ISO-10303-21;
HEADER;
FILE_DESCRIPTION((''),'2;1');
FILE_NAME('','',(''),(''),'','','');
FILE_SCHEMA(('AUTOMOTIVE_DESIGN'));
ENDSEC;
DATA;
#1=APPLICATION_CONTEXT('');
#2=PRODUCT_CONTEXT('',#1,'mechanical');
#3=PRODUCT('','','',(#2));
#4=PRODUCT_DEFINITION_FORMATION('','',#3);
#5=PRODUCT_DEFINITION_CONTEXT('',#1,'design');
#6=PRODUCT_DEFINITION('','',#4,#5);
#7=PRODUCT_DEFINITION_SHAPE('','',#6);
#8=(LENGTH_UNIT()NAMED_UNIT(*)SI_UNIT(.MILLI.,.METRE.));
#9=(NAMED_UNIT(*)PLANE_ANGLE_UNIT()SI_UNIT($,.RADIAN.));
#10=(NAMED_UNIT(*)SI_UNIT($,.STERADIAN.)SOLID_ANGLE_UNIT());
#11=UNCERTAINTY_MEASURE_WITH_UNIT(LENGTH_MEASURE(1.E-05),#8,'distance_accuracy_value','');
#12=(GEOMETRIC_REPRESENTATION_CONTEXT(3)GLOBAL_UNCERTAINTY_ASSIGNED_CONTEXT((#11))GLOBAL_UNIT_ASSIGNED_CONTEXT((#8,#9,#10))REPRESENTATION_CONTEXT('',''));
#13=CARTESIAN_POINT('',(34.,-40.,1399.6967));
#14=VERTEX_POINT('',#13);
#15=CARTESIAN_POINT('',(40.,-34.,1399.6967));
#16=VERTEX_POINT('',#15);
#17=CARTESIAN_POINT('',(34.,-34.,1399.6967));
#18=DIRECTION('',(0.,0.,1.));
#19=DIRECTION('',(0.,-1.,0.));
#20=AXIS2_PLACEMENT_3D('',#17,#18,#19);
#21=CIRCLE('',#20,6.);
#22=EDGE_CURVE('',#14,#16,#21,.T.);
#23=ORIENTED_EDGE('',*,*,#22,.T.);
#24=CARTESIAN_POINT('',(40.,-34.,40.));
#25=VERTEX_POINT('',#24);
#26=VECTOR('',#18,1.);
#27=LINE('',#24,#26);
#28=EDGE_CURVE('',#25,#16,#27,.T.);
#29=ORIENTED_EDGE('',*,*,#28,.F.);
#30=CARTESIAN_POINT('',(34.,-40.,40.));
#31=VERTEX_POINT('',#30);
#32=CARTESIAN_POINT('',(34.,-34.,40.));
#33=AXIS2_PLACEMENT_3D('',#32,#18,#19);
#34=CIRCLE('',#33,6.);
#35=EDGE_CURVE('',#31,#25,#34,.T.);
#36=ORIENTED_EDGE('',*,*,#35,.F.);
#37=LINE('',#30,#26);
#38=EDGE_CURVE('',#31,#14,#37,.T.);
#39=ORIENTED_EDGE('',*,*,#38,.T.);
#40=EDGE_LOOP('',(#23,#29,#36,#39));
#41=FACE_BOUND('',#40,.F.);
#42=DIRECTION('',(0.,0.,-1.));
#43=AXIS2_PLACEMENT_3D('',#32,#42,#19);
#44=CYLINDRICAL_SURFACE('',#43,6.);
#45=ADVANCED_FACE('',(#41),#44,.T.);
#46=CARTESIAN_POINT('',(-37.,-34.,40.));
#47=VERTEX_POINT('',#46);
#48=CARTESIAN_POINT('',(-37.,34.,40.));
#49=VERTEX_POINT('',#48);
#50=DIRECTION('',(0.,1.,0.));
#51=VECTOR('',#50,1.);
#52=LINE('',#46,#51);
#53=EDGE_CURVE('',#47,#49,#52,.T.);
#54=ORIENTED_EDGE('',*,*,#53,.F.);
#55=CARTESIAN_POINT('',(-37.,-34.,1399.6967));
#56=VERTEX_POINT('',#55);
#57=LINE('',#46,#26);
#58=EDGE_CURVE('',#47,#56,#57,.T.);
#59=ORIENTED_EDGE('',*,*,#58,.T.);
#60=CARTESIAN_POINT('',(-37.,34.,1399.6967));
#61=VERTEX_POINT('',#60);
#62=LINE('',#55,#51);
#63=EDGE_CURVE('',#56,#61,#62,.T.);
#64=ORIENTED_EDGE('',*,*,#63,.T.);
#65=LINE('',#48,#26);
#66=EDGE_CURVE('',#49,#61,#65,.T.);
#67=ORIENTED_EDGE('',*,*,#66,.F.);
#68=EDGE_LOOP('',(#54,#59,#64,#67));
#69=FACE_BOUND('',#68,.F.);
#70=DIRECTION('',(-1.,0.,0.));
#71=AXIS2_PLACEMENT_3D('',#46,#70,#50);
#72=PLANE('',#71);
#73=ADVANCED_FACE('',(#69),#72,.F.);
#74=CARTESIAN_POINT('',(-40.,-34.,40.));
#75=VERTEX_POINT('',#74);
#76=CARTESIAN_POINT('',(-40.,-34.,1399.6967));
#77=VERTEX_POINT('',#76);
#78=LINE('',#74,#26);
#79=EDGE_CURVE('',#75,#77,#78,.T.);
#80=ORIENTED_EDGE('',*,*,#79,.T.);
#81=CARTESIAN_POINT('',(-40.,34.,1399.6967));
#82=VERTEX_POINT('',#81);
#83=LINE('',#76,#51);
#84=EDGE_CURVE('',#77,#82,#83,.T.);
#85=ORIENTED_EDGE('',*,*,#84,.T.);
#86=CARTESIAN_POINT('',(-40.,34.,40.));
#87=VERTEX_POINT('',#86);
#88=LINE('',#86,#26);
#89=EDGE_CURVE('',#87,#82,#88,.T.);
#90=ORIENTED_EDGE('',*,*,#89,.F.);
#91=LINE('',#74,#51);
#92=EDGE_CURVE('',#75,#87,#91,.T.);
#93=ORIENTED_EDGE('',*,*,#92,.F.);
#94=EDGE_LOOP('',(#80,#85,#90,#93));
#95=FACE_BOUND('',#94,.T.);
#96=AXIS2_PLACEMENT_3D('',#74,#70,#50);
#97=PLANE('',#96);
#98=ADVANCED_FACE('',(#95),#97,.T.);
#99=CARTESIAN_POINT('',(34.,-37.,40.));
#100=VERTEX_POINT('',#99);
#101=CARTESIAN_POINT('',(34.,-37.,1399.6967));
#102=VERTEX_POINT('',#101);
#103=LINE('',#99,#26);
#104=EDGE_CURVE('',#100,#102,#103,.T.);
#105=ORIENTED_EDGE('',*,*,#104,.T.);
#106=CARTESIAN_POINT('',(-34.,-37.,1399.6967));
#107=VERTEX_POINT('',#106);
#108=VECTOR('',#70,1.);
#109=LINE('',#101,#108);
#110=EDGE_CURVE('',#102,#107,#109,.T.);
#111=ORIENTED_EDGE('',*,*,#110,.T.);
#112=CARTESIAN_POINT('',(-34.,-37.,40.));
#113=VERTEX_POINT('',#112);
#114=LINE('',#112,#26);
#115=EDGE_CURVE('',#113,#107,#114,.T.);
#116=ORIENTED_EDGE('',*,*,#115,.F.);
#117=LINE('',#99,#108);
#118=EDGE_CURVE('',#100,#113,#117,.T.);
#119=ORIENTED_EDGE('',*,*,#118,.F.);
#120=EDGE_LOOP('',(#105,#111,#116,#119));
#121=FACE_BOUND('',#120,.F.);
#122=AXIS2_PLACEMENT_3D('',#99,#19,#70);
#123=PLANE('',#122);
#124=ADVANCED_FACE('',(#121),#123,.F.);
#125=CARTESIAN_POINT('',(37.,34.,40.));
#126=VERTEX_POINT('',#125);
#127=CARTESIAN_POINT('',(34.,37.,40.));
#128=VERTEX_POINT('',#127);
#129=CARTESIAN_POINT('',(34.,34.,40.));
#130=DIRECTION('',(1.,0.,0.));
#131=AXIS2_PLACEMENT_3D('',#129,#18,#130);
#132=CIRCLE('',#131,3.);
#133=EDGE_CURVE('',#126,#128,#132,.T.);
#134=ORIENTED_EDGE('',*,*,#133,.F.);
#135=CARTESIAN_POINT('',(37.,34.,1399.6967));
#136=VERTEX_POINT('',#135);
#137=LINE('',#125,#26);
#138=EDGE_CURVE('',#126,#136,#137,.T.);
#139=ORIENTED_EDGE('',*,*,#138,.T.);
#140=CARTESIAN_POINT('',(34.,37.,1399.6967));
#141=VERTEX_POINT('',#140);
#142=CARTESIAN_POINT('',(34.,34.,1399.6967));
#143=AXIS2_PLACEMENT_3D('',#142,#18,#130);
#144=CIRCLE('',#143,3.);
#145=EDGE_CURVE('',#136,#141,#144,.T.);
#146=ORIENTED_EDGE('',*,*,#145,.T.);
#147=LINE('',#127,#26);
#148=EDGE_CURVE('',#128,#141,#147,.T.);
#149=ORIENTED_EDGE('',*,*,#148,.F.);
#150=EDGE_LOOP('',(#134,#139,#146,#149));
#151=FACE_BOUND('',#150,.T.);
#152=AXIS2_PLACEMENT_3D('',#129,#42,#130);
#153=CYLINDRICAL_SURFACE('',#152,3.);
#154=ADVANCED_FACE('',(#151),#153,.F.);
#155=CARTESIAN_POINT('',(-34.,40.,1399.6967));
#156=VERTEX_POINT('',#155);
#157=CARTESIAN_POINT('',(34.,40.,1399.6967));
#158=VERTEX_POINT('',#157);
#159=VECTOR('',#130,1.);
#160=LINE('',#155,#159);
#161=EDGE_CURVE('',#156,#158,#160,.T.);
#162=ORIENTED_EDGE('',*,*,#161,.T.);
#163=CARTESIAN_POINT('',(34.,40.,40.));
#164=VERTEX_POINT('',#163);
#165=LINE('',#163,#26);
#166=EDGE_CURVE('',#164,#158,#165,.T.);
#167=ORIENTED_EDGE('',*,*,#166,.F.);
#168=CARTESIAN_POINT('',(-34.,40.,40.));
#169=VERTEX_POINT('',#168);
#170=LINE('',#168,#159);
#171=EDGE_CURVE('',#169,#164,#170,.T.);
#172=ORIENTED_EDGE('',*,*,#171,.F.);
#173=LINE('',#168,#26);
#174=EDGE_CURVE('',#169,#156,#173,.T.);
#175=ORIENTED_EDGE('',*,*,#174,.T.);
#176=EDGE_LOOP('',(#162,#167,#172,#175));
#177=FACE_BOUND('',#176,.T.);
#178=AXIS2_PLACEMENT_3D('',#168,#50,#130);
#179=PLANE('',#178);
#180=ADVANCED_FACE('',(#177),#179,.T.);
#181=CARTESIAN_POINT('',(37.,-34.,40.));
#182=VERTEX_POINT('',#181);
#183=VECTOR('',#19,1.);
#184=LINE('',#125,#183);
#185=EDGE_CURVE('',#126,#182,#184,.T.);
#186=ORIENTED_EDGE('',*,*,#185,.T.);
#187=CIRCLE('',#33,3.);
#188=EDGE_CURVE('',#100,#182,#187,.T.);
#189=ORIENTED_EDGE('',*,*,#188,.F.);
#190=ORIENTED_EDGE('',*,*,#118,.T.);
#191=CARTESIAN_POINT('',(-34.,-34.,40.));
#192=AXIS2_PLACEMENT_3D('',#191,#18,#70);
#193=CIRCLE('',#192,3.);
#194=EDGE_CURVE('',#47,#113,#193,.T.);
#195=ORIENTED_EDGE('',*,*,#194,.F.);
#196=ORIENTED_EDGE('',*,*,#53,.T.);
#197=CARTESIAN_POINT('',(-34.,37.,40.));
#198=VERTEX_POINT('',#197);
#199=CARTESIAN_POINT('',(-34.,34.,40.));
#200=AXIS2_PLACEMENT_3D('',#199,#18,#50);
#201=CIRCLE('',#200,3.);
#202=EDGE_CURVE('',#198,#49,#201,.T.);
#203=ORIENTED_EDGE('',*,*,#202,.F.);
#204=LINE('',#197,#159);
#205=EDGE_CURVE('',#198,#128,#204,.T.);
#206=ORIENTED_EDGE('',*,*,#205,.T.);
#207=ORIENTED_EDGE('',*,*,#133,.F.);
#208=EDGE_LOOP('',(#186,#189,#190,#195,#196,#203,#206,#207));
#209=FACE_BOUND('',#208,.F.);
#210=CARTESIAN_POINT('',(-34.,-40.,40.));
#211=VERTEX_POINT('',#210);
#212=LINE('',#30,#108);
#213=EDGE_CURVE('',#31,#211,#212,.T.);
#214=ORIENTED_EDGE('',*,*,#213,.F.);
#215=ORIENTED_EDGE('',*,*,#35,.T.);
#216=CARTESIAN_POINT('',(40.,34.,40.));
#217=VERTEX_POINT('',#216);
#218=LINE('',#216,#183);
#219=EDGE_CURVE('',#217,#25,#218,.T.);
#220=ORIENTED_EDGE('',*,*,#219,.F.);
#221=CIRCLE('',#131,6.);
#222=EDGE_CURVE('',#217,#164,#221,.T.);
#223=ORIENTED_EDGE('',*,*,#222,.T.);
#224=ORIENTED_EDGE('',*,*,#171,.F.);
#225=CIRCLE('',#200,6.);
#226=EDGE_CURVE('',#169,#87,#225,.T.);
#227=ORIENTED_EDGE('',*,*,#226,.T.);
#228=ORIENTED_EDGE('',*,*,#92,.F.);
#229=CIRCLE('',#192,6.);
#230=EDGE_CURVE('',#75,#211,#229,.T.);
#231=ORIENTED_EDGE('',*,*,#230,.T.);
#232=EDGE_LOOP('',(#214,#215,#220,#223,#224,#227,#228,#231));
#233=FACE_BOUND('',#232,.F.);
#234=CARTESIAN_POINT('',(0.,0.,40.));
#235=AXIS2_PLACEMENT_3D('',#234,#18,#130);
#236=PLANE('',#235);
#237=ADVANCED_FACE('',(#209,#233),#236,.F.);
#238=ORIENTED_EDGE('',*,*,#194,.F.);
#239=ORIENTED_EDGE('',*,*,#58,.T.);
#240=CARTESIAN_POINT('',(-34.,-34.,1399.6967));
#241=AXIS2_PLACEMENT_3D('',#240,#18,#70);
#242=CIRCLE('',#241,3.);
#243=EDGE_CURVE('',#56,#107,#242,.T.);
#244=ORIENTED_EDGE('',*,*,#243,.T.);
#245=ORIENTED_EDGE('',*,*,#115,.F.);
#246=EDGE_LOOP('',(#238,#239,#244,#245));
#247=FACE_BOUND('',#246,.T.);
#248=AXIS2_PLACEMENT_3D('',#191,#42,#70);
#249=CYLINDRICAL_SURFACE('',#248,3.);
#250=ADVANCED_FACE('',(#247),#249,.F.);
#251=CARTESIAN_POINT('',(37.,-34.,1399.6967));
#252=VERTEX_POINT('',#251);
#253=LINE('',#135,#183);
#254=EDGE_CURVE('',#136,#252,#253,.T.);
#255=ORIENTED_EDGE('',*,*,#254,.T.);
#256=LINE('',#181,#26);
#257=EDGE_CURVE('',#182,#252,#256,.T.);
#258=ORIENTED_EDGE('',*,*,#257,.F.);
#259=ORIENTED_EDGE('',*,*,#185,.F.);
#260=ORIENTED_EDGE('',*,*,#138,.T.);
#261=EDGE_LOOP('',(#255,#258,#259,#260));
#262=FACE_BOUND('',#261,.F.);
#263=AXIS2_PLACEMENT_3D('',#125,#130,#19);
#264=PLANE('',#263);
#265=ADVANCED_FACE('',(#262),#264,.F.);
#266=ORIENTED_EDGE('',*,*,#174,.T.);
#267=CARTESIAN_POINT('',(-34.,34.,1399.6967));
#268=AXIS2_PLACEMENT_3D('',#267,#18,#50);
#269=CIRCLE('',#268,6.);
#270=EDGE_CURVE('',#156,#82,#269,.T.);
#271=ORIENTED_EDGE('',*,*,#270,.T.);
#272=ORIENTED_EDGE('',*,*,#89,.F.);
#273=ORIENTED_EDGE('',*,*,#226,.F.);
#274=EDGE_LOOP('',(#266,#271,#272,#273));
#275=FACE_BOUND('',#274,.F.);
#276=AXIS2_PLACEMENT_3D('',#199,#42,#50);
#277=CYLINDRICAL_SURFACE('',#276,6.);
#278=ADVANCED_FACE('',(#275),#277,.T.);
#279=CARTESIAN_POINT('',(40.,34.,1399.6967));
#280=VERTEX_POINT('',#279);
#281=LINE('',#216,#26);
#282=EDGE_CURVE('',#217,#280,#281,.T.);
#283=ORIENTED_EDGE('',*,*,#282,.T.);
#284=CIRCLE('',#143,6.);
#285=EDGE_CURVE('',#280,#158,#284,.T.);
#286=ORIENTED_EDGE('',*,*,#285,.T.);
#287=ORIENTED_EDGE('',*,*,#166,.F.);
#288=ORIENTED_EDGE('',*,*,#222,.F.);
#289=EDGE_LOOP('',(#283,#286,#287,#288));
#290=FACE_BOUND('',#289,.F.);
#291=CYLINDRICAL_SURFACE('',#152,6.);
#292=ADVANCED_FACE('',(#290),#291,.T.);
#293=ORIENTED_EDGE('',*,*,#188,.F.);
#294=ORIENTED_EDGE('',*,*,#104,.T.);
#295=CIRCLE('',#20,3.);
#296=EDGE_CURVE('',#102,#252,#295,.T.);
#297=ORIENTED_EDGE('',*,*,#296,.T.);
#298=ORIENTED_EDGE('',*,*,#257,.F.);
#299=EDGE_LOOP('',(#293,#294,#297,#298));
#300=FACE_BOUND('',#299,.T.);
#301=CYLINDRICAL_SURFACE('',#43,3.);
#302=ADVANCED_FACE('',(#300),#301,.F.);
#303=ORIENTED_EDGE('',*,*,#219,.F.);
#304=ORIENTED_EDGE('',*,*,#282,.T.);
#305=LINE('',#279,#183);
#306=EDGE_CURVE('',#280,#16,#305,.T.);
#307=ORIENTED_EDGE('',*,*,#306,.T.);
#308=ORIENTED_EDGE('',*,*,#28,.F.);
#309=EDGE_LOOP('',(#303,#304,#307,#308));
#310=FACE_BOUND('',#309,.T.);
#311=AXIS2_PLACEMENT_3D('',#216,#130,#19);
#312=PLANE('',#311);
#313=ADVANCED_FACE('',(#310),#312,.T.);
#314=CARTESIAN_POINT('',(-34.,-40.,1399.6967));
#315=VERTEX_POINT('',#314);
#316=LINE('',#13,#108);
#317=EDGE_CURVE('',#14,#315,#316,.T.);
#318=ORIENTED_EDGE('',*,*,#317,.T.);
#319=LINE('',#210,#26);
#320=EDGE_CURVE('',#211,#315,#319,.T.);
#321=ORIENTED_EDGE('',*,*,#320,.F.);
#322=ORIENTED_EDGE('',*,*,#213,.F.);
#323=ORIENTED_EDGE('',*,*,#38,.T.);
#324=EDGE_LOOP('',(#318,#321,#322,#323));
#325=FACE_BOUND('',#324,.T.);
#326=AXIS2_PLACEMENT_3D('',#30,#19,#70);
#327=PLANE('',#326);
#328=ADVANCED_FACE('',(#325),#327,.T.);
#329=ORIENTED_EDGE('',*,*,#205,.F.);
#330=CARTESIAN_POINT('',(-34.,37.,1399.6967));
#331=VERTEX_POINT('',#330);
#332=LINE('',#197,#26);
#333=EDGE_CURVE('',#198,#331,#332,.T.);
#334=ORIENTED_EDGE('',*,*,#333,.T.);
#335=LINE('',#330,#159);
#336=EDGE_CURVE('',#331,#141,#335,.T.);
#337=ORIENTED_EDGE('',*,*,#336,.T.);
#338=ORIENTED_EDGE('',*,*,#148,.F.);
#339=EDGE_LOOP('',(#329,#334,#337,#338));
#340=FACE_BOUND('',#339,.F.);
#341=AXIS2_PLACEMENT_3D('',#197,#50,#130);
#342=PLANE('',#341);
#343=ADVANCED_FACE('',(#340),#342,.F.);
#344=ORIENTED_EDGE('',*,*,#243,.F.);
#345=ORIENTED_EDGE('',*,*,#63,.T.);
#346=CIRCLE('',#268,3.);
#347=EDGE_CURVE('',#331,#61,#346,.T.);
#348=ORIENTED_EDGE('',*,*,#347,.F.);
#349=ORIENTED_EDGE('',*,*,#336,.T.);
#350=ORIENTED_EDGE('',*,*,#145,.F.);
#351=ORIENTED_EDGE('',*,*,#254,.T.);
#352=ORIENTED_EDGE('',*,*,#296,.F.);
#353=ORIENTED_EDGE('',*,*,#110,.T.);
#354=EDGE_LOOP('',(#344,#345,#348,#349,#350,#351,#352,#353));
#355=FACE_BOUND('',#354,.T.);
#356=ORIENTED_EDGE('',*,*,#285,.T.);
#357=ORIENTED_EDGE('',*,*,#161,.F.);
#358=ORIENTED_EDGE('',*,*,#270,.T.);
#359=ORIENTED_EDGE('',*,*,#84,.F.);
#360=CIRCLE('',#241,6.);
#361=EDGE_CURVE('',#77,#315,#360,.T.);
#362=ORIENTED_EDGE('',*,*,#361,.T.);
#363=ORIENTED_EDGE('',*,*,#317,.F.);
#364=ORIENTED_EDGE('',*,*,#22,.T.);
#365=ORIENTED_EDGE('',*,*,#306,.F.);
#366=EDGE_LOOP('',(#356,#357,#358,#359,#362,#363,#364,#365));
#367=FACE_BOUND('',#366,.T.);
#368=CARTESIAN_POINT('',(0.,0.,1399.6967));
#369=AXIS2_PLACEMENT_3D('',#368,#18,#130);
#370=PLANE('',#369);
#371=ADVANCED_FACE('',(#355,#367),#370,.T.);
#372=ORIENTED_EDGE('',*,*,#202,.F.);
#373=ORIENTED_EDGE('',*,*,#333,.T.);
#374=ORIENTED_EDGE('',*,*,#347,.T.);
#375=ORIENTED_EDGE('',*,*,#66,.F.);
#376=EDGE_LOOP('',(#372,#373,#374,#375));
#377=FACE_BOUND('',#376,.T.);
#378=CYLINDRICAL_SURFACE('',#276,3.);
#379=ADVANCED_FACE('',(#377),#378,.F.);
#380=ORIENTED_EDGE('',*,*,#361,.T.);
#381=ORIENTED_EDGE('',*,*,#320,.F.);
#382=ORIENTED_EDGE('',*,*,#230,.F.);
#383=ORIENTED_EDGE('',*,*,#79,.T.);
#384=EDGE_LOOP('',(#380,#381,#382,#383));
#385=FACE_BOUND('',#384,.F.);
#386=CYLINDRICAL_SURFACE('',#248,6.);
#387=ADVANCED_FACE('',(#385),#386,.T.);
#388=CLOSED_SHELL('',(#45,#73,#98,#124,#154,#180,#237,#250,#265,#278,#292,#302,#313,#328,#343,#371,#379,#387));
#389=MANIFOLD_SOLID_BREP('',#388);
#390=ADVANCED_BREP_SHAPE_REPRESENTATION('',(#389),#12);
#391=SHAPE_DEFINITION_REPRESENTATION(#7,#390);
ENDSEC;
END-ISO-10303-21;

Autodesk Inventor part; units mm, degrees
ref_plane "YZ Plane" through (0, 0, 0) normal (1, 0, 0) x (0, 1, 0)
ref_plane "Start Plane" through (0, 0, 40) normal (0, 0, 1) x (1, 0, 0)
ref_plane "End Plane" through (0, 0, 1399.6967) normal (0, 0, 1) x (1, 0, 0)
sketch "Sketch" plane through (0, 0, 0) normal (0, 0, 1) x (1, 0, 0)
  line L0 (-40, -34) -> (-40, 34)
  line L1 (-34, 40) -> (34, 40)
  line L2 (40, 34) -> (40, -34)
  line L3 (34, -40) -> (-34, -40)
  arc A0 (-40, -34) -> (-34, -40) centre (-34, -34) ccw
  arc A1 (40, 34) -> (34, 40) centre (34, 34) ccw
  arc A2 (-34, 40) -> (-40, 34) centre (-34, 34) ccw
  arc A3 (34, -40) -> (40, -34) centre (34, -34) ccw
  arc A4 (-34, 37) -> (-37, 34) centre (-34, 34) ccw
  line L4 (-34, 37) -> (34, 37)
  arc A5 (37, 34) -> (34, 37) centre (34, 34) ccw
  line L5 (37, 34) -> (37, -34)
  arc A6 (34, -37) -> (37, -34) centre (34, -34) ccw
  line L6 (34, -37) -> (-34, -37)
  arc A7 (-37, -34) -> (-34, -37) centre (-34, -34) ccw
  line L7 (-37, -34) -> (-37, 34)
  line L8 (0, 57.7397) -> (0, -57.7397) construction
  line L9 (-57.7397, 0) -> (57.7397, 0) construction
  dimension "d7" = 6
  dimension "d9" = 80
  dimension "d11" = 80
  dimension "d12" = 3
  dimension "d15" = 40
  dimension "d16" = 40
extrude "Body" add sketch "Sketch" along normal up to surface (1359.6967 mm away) from surface at 40
sketch "Sketch3" plane through (0, 0, 0) normal (0, 0, 1) x (1, 0, 0)
  line L0 (0, 0) -> (10, 0)
ref_plane "Work Plane3" through (0, 0, 0) normal (0, -1, 0) x (1, 0, 0)
sketch "Sketch4" plane through (0, 0, 0) normal (0, -1, 0) x (1, 0, 0)
  line L0 (-2, 40) -> (12, 40) projected
  line L1 (-2, 1399.6967) -> (12, 1399.6967) projected
  dimension "d18" = 1359.6967
equation "\"d7\" = G_IR"
equation "\"d9\" = G_W"
equation "\"d11\" = G_H"
equation "\"d12\" = G_T"
equation "\"d15\" = 0.5 * d9"
equation "\"d16\" = 0.5 * d11"
equation "\"d3\" = G_L"
equation "\"G_W\" = 80"
equation "\"G_H\" = 80"
equation "\"G_T\" = 3"
equation "\"G_IR\" = 6"
equation "\"G_L\" = d18"
equation "\"d14\" = G_OFFSET_END + B_L"
equation "\"B_L\" = 1439.69674"
equation "\"G_OFFSET_END\" = -40"
properties part number "ISO 10799-2 - 80x80x3 - 1359,7" material "Steel, Mild"
